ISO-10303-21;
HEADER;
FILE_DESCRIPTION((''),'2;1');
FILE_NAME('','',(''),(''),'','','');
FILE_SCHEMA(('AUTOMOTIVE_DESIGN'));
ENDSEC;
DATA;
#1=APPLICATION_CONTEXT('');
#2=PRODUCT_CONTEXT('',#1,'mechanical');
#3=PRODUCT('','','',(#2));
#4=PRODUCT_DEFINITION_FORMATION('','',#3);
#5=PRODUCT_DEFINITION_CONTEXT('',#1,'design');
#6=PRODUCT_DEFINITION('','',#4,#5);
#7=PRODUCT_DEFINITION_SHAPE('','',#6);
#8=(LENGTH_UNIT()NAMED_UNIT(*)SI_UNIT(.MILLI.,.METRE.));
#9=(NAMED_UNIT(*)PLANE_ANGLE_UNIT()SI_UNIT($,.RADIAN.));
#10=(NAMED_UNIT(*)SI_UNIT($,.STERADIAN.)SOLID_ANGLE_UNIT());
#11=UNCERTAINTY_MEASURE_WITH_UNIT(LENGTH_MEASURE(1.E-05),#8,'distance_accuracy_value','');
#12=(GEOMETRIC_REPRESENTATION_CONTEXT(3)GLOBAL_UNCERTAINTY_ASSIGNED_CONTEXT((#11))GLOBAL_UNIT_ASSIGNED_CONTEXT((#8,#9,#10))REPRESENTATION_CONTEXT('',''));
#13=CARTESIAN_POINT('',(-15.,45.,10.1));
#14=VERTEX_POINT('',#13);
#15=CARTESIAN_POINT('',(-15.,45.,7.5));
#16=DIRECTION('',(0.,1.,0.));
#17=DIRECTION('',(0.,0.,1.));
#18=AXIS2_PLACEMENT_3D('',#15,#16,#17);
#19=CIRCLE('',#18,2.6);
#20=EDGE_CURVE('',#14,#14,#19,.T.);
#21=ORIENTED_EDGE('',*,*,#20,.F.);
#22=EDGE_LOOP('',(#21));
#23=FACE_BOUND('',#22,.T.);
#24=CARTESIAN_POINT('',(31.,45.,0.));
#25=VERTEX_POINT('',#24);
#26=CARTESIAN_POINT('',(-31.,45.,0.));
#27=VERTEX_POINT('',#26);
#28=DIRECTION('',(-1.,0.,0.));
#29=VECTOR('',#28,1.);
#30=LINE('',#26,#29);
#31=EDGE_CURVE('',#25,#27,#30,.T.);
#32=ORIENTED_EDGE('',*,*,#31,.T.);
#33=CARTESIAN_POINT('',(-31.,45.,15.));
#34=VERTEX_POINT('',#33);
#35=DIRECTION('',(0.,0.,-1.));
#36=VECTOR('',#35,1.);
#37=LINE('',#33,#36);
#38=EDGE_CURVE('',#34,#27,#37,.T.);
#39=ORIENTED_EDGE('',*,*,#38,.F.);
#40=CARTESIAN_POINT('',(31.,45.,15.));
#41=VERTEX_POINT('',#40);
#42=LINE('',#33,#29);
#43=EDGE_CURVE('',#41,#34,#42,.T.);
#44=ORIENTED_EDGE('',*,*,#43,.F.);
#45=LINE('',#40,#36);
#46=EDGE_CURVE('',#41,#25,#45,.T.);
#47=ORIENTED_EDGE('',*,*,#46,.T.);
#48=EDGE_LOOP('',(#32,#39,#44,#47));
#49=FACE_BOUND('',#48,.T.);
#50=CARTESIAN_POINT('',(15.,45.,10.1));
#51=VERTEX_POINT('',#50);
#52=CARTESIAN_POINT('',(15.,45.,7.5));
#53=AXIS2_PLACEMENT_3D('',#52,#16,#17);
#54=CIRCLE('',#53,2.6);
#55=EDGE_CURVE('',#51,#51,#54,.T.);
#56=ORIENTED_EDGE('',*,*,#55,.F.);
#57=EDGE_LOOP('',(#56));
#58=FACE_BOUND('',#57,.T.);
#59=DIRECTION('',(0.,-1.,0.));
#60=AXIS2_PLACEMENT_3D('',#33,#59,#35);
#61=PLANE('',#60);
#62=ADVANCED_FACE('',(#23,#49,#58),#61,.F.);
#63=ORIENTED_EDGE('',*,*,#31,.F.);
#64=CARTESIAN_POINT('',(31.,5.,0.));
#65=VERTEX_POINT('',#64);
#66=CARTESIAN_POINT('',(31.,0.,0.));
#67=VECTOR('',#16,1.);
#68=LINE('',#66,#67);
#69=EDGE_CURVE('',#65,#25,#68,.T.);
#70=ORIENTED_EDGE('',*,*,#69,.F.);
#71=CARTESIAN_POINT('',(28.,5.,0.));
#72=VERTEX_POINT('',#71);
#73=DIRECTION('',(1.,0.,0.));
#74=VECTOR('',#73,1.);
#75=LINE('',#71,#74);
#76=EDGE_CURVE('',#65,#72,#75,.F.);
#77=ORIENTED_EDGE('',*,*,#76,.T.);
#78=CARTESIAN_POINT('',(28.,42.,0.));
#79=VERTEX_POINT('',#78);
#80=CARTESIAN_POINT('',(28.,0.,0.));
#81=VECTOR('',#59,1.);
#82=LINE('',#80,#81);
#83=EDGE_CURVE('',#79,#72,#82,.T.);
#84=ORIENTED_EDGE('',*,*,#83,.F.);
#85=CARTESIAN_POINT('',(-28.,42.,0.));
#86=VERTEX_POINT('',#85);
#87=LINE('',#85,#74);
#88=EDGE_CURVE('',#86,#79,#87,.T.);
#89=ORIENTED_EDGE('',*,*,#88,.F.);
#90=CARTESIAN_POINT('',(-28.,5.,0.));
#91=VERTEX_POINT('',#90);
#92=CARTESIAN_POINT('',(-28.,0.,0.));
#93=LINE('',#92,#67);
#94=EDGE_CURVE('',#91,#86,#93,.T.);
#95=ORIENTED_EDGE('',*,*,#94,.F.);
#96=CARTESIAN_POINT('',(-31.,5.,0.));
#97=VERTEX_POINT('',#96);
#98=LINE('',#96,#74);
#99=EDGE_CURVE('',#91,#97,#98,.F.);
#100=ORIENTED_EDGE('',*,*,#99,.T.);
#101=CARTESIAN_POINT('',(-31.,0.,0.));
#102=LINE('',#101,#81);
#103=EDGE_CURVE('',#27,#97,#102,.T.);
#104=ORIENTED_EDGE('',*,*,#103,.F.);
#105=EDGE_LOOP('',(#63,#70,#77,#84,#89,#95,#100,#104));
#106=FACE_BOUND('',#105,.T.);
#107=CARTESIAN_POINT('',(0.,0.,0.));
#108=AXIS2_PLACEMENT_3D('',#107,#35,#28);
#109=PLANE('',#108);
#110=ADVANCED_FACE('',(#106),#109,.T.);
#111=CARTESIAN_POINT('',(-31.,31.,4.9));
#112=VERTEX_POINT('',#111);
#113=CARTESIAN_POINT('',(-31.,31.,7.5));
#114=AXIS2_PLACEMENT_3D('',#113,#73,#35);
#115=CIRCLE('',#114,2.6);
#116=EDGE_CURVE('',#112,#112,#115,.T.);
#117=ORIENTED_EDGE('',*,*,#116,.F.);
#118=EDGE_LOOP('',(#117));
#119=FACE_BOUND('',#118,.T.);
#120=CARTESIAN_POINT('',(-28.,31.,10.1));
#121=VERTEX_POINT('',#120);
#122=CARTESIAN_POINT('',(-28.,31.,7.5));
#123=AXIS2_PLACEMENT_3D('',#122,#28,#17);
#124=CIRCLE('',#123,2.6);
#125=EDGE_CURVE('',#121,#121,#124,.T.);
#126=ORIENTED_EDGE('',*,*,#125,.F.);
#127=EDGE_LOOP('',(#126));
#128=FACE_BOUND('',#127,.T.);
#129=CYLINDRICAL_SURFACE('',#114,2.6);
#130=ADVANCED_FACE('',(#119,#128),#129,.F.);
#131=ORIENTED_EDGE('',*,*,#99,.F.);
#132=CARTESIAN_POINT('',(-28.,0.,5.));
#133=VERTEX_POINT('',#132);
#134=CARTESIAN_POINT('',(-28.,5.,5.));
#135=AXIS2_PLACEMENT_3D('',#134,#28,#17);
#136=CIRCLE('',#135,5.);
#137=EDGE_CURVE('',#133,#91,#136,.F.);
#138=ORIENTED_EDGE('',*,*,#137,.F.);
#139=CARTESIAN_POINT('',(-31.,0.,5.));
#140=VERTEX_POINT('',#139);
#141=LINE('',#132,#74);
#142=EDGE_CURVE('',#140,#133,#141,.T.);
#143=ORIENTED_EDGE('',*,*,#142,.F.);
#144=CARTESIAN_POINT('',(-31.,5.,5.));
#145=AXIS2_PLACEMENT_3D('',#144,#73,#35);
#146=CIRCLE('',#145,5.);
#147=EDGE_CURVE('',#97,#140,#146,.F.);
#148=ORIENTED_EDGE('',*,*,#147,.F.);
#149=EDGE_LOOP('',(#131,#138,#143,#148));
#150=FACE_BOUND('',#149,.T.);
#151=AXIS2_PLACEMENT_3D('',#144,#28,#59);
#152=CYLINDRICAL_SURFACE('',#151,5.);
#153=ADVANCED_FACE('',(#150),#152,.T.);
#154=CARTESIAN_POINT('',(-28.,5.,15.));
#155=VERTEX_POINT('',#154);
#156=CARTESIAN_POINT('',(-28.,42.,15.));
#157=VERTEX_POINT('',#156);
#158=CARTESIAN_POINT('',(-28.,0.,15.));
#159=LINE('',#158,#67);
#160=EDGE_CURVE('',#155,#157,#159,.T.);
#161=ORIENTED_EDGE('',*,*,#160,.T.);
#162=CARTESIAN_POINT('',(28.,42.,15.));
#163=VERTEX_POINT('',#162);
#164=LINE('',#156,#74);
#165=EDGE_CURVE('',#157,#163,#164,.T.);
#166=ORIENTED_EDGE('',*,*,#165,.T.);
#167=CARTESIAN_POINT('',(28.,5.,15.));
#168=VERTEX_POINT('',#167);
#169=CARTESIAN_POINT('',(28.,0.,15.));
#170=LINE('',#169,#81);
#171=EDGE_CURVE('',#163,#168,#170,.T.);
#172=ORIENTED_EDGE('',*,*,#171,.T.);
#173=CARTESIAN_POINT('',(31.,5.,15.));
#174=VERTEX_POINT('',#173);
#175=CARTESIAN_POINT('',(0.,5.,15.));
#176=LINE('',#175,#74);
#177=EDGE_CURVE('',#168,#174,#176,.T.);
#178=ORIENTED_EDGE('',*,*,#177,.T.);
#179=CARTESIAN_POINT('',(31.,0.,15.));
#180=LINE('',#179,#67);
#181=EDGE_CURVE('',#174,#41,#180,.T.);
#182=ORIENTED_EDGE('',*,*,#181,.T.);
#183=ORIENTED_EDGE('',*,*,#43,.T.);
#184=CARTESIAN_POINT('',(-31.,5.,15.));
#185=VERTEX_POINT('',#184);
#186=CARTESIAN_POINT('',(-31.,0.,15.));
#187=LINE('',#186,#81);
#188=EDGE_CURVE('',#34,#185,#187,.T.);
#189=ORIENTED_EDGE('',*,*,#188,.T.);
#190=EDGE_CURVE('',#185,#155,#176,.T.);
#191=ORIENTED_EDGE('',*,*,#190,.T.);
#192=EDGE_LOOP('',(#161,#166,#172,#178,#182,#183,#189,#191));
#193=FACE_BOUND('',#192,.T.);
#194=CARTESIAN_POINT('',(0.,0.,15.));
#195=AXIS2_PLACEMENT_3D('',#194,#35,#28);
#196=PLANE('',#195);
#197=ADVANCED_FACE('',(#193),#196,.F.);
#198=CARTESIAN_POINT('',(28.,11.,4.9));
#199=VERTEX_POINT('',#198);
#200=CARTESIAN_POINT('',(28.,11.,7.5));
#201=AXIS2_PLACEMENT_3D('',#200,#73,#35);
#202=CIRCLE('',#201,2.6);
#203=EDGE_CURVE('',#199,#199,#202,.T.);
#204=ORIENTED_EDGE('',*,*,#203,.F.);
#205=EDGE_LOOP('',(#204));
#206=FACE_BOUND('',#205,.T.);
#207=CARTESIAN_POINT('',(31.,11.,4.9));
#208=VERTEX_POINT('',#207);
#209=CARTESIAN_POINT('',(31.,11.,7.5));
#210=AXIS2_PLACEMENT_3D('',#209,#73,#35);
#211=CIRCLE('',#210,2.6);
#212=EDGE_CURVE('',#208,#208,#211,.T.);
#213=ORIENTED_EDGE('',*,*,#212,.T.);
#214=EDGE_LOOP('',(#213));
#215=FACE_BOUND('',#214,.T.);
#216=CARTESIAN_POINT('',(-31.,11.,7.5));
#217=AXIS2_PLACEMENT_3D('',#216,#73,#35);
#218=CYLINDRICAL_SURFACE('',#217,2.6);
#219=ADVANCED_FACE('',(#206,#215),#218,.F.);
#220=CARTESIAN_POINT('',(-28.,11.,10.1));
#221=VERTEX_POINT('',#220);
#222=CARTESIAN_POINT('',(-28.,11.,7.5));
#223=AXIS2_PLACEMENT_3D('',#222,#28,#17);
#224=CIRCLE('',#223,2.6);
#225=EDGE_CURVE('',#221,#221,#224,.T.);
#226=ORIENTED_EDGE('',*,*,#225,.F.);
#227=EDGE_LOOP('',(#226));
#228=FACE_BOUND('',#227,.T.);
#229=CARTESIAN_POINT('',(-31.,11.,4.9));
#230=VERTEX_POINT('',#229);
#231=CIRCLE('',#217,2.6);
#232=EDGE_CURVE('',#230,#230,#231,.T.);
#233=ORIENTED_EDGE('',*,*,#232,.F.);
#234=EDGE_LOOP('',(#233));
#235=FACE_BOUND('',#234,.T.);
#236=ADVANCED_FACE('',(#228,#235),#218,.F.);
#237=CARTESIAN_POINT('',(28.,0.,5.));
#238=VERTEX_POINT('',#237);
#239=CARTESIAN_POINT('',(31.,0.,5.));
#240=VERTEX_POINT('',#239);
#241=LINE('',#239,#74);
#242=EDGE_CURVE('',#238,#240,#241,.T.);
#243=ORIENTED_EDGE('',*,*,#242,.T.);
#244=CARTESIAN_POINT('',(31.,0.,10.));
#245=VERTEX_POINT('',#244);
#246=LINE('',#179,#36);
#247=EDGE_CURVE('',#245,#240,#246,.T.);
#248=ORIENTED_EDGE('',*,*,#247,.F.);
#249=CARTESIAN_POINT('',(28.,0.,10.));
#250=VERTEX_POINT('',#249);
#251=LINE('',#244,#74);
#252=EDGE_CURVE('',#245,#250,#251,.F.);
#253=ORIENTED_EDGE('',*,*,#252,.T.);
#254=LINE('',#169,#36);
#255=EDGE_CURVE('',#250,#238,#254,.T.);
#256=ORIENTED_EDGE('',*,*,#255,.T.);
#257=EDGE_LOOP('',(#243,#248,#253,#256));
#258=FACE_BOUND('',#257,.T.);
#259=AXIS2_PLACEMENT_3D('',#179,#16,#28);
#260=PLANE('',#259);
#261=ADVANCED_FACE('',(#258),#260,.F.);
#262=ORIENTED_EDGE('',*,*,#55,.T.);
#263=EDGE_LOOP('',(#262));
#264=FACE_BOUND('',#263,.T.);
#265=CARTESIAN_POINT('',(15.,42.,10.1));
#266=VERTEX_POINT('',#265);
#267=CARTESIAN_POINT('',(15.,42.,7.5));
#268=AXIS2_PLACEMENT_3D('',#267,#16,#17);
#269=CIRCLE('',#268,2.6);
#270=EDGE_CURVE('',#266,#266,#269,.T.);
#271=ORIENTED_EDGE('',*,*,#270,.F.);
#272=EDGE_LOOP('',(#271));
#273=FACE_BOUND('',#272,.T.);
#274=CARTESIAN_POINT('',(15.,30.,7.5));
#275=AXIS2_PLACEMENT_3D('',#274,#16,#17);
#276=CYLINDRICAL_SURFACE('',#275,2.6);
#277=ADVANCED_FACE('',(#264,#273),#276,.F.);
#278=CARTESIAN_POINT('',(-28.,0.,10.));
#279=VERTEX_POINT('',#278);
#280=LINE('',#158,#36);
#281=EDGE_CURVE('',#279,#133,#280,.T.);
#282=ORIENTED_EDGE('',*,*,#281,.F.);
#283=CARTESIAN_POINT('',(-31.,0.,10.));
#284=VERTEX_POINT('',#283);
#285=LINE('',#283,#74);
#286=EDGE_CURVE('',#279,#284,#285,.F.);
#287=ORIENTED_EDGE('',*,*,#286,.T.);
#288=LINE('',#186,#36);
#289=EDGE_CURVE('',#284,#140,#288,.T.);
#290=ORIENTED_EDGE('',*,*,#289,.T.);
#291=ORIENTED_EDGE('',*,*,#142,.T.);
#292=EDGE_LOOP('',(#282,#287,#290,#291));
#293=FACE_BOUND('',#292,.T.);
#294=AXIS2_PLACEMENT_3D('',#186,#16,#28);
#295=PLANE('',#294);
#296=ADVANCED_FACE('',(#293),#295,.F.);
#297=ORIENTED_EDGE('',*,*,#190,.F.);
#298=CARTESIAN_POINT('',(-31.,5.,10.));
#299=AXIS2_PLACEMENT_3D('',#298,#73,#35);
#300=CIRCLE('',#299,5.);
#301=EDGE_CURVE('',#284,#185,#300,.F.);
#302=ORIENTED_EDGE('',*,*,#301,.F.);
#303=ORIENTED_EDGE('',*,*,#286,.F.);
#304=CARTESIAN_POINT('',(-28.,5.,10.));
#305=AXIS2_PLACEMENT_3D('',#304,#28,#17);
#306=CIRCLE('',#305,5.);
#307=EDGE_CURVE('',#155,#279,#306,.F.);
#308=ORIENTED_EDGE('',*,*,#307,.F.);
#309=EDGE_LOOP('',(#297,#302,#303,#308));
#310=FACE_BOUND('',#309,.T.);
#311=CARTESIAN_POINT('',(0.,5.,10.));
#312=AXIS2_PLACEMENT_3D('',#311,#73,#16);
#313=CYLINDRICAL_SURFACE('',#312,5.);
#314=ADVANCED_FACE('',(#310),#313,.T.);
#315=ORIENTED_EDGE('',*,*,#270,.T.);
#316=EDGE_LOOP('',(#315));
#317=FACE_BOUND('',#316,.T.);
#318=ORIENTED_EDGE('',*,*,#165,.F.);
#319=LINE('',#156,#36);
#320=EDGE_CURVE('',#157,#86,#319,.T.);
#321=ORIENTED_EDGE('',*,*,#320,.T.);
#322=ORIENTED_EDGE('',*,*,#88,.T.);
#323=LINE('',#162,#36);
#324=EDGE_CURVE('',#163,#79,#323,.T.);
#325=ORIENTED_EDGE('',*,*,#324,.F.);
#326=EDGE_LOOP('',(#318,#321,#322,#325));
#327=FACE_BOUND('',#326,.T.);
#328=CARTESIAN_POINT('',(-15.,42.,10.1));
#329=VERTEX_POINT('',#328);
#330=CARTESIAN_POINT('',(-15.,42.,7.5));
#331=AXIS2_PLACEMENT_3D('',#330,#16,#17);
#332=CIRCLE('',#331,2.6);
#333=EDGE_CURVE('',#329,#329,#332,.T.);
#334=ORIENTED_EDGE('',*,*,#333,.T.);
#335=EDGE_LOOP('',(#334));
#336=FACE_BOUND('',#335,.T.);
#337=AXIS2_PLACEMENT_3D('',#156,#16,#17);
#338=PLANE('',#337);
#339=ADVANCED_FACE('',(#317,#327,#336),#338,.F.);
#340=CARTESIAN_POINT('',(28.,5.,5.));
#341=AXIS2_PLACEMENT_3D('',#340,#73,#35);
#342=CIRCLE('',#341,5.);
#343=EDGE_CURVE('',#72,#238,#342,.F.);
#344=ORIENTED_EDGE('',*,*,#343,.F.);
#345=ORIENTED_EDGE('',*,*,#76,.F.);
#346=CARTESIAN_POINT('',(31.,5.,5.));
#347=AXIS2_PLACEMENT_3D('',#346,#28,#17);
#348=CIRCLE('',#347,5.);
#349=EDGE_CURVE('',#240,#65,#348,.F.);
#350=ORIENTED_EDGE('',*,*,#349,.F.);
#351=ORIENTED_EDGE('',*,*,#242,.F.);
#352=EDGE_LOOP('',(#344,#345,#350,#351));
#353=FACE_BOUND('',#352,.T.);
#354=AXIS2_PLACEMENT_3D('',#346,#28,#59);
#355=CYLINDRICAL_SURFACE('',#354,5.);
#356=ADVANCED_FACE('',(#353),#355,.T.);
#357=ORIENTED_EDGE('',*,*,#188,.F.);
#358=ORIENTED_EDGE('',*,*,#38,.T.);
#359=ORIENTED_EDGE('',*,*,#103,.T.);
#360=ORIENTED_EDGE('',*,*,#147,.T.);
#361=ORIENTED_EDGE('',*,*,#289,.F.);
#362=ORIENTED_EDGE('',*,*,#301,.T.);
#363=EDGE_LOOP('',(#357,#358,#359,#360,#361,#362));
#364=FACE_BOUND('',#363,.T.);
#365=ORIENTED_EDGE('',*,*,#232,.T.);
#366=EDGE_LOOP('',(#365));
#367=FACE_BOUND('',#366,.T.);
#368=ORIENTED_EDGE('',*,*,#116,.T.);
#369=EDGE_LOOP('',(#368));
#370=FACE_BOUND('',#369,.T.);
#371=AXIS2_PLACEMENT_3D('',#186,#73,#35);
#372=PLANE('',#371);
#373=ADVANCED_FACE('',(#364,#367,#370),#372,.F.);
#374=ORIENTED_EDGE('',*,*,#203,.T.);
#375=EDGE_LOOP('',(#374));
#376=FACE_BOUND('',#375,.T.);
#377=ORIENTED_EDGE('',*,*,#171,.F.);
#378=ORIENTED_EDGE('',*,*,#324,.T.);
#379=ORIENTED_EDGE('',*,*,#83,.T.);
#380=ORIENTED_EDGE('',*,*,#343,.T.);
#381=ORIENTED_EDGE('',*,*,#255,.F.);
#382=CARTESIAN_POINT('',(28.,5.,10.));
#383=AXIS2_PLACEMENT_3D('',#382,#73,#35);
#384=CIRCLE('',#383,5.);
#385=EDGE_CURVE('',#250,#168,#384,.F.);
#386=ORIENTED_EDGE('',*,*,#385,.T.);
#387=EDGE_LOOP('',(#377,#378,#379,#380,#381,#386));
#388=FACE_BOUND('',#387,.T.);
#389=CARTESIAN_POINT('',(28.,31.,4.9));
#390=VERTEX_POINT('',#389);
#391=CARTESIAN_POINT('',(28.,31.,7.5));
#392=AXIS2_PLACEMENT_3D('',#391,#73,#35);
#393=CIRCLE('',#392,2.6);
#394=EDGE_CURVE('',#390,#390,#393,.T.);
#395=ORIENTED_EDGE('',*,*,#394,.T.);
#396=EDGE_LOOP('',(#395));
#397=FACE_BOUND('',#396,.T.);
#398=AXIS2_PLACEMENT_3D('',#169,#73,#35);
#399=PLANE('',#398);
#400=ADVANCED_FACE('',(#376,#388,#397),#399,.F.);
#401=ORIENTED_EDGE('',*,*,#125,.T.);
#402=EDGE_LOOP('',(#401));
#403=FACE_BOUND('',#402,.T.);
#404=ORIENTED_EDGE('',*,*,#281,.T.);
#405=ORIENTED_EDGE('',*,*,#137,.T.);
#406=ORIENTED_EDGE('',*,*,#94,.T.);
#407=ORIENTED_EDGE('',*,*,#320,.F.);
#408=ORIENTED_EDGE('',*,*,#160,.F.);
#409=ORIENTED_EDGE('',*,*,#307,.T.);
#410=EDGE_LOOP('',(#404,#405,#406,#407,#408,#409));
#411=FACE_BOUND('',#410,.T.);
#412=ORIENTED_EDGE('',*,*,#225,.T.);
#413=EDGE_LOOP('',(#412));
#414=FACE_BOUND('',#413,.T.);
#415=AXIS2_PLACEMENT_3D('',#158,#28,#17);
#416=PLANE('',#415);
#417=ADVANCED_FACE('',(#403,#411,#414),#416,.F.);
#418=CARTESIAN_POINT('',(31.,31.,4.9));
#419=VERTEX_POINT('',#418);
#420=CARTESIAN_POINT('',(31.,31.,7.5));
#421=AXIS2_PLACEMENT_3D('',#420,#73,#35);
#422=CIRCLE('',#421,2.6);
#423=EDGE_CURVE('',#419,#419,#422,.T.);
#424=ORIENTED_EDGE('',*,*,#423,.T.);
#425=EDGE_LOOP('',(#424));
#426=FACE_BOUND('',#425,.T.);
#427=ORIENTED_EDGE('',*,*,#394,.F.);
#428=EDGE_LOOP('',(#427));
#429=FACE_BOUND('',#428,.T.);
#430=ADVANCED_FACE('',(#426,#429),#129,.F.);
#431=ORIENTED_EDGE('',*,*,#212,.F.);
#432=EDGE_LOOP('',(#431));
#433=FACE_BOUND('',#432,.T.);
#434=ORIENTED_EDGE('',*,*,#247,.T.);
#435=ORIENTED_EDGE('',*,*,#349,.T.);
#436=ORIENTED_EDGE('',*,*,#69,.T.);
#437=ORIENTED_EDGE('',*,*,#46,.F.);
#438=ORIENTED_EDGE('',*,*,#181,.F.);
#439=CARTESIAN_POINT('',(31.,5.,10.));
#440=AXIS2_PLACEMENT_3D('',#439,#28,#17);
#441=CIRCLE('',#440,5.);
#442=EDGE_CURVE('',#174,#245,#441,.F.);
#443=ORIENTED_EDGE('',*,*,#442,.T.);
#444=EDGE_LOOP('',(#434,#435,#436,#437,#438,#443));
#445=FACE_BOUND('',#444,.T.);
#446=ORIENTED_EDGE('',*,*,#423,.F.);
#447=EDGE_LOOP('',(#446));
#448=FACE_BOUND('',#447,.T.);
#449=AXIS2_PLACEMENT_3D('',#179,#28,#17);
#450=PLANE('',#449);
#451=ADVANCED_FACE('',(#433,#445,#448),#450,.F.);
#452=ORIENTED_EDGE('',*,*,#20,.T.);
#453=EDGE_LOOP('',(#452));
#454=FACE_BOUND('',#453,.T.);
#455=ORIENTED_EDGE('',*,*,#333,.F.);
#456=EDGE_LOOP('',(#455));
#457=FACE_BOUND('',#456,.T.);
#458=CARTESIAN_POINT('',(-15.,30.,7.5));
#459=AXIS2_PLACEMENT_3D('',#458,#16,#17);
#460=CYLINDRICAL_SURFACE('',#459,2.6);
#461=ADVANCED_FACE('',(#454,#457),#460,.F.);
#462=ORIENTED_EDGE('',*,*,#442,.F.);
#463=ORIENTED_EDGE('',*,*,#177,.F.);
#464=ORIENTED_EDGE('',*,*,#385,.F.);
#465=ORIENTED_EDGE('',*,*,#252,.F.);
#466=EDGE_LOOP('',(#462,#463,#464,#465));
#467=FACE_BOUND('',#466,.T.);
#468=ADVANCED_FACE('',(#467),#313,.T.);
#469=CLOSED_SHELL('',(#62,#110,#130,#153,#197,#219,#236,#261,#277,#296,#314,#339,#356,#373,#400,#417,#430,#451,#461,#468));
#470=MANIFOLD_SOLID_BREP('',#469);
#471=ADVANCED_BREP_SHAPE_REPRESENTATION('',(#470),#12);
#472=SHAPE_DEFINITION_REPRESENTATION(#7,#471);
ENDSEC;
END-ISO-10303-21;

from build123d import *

# Parameters (mm, degrees)
RESSALTO_EXTRUS_O1_DEPTH = 15
ESBO_O2_R                = 2.6
CORTE_EXTRUS_O1_DEPTH    = 15
ESBO_O3_R                = 2.6
CORTE_EXTRUS_O2_DEPTH    = 63
FILETE1_R                = 5


with BuildPart() as part:
    # Esboço1 → Ressalto-extrusão1 (new body)
    with BuildSketch(Plane.XY):
        Polygon((-31, 0), (-28, 0), (-28, 42), (28, 42), (28, 0), (31, 0), (31, 45), (-31, 45), align=None)
    extrude(amount=RESSALTO_EXTRUS_O1_DEPTH)

    # Esboço2 → Corte-extrusão1 (cut)
    with BuildSketch(Plane(origin=(0, 45, 0), x_dir=(1, 0, 0), z_dir=(0, 1, 0))):
        with Locations((-15, -7.5)):
            Circle(ESBO_O2_R)
        with Locations((15, -7.5)):
            Circle(ESBO_O2_R)
    extrude(amount=-CORTE_EXTRUS_O1_DEPTH, mode=Mode.SUBTRACT)

    # Esboço3 → Corte-extrusão2 (cut, through all)
    with BuildSketch(Plane(origin=(31, 0, 0), x_dir=(0, 0, -1), z_dir=(1, 0, 0))):
        with Locations((-7.5, 11)):
            Circle(ESBO_O3_R)
        with Locations((-7.5, 31)):
            Circle(ESBO_O3_R)
    extrude(amount=-CORTE_EXTRUS_O2_DEPTH, mode=Mode.SUBTRACT)

    # Filete1
    filete1_edges = [part.edges().sort_by_distance(p)[0] for p in [
        (-29.5, 0, 0),
        (29.5, 0, 15),
        (-29.5, 0, 15),
        (29.5, 0, 0),
    ]]
    fillet(filete1_edges, radius=FILETE1_R)


solid = part.part
